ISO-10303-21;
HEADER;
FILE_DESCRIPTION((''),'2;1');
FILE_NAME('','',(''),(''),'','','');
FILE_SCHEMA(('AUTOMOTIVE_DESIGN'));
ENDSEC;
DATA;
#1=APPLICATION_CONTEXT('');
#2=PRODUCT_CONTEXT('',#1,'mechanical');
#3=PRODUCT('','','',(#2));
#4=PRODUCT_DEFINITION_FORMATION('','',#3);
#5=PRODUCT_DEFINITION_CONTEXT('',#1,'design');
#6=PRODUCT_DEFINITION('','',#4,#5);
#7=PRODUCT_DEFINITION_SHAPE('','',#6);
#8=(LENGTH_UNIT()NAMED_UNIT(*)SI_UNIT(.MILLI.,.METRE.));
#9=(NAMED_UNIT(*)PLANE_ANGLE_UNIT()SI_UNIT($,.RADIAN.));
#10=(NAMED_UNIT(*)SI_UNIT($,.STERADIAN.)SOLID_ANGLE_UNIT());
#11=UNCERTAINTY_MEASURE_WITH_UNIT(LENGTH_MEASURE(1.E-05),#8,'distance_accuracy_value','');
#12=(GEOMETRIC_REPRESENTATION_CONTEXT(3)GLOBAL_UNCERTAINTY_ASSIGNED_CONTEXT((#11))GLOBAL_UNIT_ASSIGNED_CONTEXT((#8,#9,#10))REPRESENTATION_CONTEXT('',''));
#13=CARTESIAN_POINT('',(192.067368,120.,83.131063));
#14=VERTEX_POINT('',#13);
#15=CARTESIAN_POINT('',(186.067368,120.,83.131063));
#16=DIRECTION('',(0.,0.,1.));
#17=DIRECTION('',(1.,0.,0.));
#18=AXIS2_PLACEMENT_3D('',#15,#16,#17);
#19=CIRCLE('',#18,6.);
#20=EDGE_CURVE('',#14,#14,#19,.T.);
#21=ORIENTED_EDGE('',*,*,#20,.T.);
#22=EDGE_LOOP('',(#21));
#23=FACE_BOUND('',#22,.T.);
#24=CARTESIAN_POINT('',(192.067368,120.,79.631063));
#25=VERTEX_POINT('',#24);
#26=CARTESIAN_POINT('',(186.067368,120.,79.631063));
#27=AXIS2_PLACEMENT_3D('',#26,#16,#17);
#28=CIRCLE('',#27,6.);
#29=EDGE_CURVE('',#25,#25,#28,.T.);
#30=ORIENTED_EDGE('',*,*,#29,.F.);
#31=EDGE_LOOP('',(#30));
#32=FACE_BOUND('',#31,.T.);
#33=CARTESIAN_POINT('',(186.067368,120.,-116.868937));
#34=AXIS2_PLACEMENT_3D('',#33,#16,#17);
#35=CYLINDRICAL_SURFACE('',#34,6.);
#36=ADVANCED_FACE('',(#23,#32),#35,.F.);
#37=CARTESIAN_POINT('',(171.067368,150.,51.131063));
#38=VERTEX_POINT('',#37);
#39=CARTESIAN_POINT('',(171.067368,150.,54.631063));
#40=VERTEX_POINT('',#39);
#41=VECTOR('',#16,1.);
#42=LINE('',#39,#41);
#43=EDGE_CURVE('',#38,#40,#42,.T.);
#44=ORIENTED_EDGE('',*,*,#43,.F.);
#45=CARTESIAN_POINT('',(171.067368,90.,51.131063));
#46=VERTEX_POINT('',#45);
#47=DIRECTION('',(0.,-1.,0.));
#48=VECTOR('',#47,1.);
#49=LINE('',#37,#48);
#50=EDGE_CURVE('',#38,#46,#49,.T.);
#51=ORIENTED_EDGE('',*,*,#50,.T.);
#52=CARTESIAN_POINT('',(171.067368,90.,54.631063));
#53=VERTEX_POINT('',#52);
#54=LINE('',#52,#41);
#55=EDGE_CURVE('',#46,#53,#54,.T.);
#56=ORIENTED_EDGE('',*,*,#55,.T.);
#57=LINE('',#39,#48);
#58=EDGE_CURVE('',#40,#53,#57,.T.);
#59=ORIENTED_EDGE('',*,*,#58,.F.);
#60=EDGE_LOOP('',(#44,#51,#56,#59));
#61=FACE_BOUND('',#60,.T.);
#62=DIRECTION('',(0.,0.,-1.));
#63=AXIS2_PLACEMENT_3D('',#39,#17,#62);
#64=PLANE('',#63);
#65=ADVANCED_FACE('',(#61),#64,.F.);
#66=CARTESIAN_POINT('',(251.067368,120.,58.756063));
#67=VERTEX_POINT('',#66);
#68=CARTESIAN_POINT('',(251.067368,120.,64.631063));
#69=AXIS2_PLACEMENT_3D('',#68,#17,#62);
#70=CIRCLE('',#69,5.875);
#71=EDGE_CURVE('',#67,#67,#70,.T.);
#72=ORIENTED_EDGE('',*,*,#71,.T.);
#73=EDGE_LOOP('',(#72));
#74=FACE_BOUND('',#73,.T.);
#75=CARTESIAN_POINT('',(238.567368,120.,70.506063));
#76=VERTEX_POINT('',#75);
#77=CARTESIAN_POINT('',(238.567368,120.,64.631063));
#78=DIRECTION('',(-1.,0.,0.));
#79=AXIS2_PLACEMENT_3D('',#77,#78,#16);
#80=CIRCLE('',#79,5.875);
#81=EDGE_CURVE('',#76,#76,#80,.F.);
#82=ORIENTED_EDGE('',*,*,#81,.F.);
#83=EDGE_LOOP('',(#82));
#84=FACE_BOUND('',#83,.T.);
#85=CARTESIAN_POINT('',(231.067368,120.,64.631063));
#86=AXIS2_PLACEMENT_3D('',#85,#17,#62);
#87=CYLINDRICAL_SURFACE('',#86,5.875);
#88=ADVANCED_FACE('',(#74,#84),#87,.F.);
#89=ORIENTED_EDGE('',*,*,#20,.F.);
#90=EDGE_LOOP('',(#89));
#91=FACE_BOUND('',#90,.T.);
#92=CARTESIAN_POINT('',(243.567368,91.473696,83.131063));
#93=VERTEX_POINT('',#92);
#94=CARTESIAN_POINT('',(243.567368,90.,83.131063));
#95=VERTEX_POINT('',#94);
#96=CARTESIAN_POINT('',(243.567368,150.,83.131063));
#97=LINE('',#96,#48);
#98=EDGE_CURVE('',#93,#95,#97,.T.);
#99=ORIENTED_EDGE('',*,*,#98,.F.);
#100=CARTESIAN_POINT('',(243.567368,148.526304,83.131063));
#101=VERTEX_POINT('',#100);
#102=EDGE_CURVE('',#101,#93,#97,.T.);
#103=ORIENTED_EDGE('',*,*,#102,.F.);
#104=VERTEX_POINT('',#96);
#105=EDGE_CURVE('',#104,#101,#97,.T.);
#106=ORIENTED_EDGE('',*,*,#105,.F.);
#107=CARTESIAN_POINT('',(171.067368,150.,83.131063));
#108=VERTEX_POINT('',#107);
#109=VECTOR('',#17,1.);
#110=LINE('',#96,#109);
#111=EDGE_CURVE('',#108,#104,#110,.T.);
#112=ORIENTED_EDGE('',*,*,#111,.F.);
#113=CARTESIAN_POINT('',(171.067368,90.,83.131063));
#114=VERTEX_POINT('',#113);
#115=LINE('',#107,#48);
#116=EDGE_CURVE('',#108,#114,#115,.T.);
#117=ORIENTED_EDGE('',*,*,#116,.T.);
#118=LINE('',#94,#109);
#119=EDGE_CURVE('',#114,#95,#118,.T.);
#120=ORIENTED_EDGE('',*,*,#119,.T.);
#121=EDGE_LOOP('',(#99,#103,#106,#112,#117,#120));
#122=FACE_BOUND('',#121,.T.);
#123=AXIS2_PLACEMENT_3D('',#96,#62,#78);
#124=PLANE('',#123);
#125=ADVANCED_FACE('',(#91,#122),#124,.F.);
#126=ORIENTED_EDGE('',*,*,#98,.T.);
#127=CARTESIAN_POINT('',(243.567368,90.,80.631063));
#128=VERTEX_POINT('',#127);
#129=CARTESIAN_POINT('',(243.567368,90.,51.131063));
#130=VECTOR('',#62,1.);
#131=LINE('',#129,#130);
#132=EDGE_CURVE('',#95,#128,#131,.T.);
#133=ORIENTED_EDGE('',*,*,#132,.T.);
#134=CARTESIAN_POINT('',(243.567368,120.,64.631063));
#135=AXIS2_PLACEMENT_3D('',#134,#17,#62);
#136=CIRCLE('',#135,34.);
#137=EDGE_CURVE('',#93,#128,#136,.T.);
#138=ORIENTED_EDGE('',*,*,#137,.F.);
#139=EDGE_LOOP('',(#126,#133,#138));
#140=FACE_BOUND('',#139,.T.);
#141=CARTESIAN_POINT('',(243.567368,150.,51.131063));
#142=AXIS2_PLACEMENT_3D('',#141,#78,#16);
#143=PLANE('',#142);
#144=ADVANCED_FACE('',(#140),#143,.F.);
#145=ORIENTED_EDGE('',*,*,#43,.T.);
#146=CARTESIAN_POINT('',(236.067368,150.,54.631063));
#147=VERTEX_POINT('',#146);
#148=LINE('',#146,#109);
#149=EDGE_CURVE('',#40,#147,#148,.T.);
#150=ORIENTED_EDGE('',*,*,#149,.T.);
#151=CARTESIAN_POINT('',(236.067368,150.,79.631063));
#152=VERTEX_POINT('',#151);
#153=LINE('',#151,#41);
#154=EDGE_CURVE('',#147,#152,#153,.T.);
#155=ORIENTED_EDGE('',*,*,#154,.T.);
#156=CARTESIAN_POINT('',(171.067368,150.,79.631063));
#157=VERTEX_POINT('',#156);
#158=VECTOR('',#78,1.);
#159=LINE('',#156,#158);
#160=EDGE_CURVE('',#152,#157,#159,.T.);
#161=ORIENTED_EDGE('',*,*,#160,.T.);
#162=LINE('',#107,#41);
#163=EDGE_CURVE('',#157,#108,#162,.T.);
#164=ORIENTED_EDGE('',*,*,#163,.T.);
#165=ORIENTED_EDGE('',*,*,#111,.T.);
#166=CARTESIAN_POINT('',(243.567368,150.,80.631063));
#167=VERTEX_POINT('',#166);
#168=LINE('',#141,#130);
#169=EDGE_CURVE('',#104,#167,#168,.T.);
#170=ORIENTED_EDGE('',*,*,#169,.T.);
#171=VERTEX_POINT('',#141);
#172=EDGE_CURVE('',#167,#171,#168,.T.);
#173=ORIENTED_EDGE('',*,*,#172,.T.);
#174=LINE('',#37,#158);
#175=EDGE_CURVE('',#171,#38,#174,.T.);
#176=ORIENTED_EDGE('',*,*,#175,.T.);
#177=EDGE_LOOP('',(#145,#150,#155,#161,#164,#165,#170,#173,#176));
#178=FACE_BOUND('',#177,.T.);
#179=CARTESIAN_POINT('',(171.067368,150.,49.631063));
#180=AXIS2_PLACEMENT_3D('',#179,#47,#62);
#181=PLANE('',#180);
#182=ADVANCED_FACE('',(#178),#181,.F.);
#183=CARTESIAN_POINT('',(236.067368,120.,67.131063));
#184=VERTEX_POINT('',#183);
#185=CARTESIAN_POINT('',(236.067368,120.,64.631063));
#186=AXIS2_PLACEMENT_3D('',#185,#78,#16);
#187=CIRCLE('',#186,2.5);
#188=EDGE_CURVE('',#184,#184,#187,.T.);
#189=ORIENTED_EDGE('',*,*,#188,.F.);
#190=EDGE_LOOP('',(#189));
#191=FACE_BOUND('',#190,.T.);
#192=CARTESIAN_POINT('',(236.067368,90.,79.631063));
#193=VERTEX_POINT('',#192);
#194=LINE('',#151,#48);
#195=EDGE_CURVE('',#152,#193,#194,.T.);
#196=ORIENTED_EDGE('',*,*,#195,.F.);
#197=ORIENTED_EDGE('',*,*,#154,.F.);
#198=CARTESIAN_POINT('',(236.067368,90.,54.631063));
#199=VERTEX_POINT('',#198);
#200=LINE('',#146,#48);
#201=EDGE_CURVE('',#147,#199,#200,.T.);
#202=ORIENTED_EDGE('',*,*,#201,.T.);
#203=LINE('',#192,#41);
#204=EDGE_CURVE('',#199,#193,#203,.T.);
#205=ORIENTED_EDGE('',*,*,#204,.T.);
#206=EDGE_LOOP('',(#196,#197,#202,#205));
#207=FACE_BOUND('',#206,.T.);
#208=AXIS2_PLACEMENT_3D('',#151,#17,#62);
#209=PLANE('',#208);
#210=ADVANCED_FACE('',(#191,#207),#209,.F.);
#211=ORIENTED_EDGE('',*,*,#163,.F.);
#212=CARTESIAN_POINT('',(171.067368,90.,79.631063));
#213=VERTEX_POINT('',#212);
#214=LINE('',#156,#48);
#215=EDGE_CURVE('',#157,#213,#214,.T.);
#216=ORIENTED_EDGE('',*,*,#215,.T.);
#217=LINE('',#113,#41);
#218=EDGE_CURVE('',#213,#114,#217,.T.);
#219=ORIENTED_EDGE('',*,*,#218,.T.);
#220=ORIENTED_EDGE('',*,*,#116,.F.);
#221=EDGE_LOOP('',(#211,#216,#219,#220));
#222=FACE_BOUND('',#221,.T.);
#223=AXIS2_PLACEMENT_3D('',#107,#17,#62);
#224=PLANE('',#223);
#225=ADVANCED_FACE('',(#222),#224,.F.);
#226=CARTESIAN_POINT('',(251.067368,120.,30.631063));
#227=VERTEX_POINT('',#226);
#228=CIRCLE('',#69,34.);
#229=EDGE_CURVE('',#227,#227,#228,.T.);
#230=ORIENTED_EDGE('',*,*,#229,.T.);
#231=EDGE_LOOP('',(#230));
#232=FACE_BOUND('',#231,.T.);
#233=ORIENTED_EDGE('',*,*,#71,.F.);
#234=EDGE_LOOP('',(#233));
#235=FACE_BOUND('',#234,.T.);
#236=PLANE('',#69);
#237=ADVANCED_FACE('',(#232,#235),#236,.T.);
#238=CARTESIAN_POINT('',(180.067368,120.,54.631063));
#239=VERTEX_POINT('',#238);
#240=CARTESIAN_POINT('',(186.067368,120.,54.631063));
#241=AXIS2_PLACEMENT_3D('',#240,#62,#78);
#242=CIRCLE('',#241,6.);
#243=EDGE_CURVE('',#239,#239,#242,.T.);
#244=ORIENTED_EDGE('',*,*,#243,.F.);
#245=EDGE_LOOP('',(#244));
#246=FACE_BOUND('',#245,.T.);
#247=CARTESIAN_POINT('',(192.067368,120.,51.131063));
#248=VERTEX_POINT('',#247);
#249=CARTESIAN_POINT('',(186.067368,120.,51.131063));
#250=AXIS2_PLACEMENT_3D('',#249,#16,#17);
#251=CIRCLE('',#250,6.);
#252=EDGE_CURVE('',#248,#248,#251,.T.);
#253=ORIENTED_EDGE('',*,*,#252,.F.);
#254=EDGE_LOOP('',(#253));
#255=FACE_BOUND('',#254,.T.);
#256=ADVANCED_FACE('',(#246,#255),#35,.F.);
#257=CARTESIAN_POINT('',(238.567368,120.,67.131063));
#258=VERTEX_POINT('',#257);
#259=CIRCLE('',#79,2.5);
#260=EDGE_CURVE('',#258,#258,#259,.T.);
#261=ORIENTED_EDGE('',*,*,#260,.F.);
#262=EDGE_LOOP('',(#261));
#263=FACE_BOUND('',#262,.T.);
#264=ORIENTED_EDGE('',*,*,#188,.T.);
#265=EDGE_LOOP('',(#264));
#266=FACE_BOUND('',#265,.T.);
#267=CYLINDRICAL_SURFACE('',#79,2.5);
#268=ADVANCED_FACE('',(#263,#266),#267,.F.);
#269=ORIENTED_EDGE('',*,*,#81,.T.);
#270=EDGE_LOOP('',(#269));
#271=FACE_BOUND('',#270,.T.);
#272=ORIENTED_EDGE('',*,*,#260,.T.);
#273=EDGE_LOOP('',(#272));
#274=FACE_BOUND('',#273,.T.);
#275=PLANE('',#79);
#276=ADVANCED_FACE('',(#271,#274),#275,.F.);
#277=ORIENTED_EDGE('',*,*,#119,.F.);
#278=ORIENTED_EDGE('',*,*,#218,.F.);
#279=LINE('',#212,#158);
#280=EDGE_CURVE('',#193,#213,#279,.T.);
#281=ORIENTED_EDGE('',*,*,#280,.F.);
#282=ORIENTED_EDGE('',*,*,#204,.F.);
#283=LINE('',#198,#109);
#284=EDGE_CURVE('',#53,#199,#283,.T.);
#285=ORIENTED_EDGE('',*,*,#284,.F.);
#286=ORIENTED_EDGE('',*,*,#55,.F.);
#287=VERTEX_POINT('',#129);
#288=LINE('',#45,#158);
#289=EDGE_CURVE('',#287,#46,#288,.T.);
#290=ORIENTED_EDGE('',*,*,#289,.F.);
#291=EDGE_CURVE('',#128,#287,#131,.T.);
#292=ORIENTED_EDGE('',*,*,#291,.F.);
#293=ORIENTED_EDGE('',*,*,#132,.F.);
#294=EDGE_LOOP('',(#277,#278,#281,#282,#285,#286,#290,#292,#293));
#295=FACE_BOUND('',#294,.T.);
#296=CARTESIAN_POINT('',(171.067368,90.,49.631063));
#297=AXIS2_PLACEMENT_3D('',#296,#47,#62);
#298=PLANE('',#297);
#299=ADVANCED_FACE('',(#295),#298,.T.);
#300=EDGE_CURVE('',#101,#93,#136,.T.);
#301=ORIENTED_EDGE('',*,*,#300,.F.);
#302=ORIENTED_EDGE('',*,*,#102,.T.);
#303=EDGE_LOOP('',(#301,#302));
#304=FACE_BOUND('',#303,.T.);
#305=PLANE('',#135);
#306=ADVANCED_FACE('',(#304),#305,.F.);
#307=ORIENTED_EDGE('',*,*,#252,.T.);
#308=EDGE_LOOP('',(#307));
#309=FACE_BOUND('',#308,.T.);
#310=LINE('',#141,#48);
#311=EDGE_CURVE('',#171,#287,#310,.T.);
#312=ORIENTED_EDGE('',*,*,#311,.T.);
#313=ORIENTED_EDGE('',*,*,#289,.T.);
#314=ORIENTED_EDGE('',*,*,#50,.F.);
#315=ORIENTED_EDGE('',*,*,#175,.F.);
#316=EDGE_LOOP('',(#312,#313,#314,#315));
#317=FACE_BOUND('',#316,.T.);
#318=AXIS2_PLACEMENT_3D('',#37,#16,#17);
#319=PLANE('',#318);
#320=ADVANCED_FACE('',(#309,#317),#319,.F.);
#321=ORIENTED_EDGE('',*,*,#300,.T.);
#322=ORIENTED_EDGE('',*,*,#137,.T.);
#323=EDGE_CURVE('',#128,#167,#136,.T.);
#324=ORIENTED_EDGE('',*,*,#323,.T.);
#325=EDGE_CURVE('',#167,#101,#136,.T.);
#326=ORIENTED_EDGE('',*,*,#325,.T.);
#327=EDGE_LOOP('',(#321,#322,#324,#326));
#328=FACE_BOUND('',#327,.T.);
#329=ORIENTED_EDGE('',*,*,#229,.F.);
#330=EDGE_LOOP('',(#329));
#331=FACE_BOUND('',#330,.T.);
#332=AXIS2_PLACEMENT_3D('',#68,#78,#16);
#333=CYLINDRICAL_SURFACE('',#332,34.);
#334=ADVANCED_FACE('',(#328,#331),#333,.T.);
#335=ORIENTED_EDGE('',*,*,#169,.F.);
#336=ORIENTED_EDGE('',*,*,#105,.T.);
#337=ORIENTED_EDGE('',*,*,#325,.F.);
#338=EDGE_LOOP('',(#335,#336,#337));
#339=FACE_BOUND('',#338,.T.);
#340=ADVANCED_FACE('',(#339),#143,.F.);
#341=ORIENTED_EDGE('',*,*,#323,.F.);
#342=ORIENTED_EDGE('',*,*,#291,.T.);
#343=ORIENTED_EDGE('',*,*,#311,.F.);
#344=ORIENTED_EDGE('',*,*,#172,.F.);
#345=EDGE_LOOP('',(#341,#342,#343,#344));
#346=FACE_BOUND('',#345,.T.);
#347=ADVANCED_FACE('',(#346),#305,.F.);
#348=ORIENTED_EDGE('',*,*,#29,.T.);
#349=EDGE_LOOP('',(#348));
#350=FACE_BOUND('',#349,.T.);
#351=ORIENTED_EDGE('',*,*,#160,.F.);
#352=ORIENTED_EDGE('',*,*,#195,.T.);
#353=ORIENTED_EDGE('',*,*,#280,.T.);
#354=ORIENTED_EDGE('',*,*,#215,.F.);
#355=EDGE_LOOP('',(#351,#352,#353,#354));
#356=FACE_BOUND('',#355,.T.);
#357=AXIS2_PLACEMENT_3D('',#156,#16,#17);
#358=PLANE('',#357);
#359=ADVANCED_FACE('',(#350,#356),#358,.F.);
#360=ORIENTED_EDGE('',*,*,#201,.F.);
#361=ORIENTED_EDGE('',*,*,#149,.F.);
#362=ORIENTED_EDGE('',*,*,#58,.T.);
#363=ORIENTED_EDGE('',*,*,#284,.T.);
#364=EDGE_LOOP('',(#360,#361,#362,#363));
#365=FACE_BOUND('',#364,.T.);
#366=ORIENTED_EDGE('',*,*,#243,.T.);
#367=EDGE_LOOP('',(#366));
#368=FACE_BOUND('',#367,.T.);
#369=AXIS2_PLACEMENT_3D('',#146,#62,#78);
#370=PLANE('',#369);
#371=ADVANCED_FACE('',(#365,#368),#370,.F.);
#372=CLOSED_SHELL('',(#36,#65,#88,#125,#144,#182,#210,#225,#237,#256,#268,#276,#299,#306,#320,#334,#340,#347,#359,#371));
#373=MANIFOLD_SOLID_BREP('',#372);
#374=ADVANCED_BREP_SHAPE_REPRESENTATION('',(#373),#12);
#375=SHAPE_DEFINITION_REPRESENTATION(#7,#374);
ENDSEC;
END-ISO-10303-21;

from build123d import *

# Parameters (mm, degrees)
BOSS_EXTRUDE1_DEPTH         = 240
SKETCH5_R                   = 136
BOSS_EXTRUDE2_DEPTH         = 30
IZIM1_R                     = 23.5
KES_EKSTR_ZYON1_DEPTH       = 80
IZIM2_R                     = 25
IZIM2_R_2                   = 10
Y_KSEKLIK_EKSTR_ZYON1_DEPTH = 10
SCALE1_SCALE                = 0.25
SKETCH6_R                   = 6
CUT_EXTRUDE1_DEPTH          = 200


with BuildPart() as part:
    # Sketch1 → Boss-Extrude1 (new body)
    with BuildSketch(Plane(origin=(0, 0, 0), x_dir=(1, 0, 0), z_dir=(0, 1, 0))):
        Polygon((0, -20), (0, -6), (290, -6), (290, -134), (0, -134), (0, -120), (260, -120), (260, -20), align=None)
    extrude(amount=BOSS_EXTRUDE1_DEPTH)

    # Sketch5 → Boss-Extrude2 (add)
    with BuildSketch(Plane(origin=(290, 0, 0), x_dir=(0, 0, -1), z_dir=(1, 0, 0))):
        with Locations((-60, 120)):
            Circle(SKETCH5_R)
    extrude(amount=BOSS_EXTRUDE2_DEPTH)

    # Çizim1 → Kes-Ekstrüzyon1 (cut)
    with BuildSketch(Plane(origin=(320, 0, 0), x_dir=(0, 0, -1), z_dir=(1, 0, 0))):
        with Locations((-60, 120)):
            Circle(IZIM1_R)
    extrude(amount=-KES_EKSTR_ZYON1_DEPTH, mode=Mode.SUBTRACT)

    # Çizim2 → Yükseklik-Ekstrüzyon1 (add)
    with BuildSketch(Plane.ZY.offset(-260)):
        with Locations((60, 120)):
            Circle(IZIM2_R)
        with Locations((60, 120)):
            Circle(IZIM2_R_2, mode=Mode.SUBTRACT)
    extrude(amount=-Y_KSEKLIK_EKSTR_ZYON1_DEPTH)


with BuildPart() as part_1:
    # Scale1: scaled about (228.089824151, 120, 66.174750275)
    add(part.part.scale(SCALE1_SCALE).moved(Location((171.067368113, 90, 49.631062706))))

    # Sketch6 → Cut-Extrude1 (cut)
    with BuildSketch(Plane.XY.offset(83.131062707)):
        with Locations((186.067368113, 120)):
            Circle(SKETCH6_R)
    extrude(amount=-CUT_EXTRUDE1_DEPTH, mode=Mode.SUBTRACT)


solid = part_1.part
